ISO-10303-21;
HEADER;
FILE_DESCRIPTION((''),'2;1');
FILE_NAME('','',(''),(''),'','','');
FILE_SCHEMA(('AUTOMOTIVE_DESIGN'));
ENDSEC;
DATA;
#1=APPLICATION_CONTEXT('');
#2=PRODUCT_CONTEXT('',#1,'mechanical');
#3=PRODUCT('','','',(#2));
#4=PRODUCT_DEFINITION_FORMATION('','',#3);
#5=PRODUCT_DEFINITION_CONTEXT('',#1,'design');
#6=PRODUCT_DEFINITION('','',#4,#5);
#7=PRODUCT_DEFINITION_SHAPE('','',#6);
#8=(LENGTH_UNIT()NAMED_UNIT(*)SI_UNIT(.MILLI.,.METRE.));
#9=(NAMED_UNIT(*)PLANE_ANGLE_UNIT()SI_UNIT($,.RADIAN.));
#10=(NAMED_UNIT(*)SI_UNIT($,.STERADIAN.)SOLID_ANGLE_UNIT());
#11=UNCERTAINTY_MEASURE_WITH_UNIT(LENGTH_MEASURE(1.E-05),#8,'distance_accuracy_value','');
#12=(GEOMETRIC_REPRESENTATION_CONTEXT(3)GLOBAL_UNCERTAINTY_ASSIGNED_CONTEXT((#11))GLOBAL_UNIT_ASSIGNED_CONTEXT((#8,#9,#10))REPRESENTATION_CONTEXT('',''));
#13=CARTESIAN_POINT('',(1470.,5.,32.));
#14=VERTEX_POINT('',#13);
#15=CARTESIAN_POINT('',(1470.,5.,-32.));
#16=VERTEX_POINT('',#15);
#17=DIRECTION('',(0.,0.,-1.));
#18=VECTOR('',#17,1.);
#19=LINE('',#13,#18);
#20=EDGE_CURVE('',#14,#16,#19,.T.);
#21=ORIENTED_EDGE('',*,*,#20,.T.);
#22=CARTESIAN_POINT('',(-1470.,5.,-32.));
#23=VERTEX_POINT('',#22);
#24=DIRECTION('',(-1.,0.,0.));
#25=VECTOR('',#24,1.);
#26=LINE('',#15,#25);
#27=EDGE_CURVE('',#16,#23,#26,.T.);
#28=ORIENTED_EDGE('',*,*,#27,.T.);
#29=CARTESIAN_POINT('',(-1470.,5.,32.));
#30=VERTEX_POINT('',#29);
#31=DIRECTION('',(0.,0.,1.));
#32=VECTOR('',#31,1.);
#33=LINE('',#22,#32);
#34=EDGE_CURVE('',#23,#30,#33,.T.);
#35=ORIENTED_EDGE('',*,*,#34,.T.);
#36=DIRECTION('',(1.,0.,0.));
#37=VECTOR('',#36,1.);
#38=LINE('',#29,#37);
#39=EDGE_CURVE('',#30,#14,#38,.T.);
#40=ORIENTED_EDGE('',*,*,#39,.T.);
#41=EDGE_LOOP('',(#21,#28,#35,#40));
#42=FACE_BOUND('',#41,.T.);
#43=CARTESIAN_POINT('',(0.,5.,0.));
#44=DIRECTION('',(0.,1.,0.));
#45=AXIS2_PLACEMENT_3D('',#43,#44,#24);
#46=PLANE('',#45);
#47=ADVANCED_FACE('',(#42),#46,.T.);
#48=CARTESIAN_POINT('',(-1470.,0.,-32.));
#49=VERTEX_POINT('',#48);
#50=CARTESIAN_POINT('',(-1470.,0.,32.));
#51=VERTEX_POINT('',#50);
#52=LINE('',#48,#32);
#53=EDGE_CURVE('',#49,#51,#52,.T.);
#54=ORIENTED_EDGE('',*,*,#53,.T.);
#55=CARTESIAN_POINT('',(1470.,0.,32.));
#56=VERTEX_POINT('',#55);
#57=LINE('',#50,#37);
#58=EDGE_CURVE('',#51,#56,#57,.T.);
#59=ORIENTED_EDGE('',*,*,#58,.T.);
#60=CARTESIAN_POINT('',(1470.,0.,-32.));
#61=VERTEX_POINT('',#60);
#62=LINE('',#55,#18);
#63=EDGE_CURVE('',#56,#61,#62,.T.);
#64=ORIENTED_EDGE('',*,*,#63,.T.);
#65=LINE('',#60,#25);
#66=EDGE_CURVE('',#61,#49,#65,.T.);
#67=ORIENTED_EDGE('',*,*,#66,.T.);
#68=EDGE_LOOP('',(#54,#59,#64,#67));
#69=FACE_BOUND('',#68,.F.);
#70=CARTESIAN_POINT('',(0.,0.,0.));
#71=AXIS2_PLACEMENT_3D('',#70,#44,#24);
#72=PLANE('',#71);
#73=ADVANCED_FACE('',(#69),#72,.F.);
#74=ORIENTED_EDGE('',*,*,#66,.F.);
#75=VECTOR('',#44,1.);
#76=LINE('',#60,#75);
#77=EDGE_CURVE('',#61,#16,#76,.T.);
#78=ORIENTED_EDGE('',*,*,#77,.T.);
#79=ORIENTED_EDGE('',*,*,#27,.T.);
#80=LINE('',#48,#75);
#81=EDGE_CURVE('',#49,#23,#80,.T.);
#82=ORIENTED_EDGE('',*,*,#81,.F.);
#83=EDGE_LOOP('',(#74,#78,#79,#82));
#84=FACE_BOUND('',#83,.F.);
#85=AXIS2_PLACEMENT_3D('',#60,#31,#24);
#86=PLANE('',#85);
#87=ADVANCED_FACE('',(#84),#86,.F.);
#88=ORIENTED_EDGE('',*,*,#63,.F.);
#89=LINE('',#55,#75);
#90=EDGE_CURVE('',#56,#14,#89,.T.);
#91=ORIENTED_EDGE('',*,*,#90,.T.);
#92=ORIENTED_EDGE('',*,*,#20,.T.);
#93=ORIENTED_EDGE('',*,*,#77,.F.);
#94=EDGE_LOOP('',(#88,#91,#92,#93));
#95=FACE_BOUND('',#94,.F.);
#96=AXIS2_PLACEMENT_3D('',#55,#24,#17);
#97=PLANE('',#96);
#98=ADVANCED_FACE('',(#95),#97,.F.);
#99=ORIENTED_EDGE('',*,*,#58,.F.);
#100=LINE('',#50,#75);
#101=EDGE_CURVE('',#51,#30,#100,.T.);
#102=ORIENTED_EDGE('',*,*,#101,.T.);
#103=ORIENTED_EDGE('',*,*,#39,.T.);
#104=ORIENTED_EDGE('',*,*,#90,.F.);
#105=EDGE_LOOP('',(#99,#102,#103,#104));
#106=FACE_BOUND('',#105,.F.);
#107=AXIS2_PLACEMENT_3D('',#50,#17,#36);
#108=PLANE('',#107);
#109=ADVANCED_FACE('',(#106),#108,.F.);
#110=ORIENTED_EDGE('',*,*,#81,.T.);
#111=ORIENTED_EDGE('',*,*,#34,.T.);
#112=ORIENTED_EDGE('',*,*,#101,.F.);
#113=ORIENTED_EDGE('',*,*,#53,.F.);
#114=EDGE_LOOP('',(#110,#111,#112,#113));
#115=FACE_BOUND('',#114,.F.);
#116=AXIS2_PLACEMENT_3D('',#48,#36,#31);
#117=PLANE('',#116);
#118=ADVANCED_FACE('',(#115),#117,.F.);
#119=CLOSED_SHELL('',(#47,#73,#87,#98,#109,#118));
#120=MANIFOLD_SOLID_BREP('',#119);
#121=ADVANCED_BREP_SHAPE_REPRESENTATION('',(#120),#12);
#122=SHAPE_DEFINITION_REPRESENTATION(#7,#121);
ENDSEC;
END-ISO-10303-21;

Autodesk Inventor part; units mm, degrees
ref_plane "YZ Plane" through (0, 0, 0) normal (1, 0, 0) x (0, 1, 0)
ref_plane "XZ Plane" through (0, 0, 0) normal (0, 1, 0) x (-1, 0, 0)
ref_plane "XY Plane" through (0, 0, 0) normal (0, 0, 1) x (1, 0, 0)
sketch "Эскиз1" plane through (0, 0, 0) normal (0, 1, 0) x (-1, 0, 0)
  line L0 (1470, 32) -> (-1470, 32)
  line L1 (-1470, 32) -> (-1470, -32)
  line L2 (-1470, -32) -> (1470, -32)
  line L3 (1470, -32) -> (1470, 32)
  line L4 (1470, 32) -> (-1470, -32) construction
  line L5 (-1470, 32) -> (1470, -32) construction
  point P0 (0, 0)
  dimension "d0" = 2940
  dimension "d1" = 64
extrude "Пластина1" add sketch "Эскиз1" along normal blind 5
equation "\"d2\" = Толщина"
equation "\"Радиус_гибки\" = Толщина"
equation "\"Ширина_просечки\" = Толщина"
equation "\"Глубина_просечки\" = 0.5 * Толщина"
equation "\"Радиус_перехода\" = Радиус_гибки"
equation "\"Радиус_Якоби\" = Радиус_гибки"
equation "\"Размер_зазора\" = Толщина"
equation "\"Толщина\" = 5"
properties part number "0922"
